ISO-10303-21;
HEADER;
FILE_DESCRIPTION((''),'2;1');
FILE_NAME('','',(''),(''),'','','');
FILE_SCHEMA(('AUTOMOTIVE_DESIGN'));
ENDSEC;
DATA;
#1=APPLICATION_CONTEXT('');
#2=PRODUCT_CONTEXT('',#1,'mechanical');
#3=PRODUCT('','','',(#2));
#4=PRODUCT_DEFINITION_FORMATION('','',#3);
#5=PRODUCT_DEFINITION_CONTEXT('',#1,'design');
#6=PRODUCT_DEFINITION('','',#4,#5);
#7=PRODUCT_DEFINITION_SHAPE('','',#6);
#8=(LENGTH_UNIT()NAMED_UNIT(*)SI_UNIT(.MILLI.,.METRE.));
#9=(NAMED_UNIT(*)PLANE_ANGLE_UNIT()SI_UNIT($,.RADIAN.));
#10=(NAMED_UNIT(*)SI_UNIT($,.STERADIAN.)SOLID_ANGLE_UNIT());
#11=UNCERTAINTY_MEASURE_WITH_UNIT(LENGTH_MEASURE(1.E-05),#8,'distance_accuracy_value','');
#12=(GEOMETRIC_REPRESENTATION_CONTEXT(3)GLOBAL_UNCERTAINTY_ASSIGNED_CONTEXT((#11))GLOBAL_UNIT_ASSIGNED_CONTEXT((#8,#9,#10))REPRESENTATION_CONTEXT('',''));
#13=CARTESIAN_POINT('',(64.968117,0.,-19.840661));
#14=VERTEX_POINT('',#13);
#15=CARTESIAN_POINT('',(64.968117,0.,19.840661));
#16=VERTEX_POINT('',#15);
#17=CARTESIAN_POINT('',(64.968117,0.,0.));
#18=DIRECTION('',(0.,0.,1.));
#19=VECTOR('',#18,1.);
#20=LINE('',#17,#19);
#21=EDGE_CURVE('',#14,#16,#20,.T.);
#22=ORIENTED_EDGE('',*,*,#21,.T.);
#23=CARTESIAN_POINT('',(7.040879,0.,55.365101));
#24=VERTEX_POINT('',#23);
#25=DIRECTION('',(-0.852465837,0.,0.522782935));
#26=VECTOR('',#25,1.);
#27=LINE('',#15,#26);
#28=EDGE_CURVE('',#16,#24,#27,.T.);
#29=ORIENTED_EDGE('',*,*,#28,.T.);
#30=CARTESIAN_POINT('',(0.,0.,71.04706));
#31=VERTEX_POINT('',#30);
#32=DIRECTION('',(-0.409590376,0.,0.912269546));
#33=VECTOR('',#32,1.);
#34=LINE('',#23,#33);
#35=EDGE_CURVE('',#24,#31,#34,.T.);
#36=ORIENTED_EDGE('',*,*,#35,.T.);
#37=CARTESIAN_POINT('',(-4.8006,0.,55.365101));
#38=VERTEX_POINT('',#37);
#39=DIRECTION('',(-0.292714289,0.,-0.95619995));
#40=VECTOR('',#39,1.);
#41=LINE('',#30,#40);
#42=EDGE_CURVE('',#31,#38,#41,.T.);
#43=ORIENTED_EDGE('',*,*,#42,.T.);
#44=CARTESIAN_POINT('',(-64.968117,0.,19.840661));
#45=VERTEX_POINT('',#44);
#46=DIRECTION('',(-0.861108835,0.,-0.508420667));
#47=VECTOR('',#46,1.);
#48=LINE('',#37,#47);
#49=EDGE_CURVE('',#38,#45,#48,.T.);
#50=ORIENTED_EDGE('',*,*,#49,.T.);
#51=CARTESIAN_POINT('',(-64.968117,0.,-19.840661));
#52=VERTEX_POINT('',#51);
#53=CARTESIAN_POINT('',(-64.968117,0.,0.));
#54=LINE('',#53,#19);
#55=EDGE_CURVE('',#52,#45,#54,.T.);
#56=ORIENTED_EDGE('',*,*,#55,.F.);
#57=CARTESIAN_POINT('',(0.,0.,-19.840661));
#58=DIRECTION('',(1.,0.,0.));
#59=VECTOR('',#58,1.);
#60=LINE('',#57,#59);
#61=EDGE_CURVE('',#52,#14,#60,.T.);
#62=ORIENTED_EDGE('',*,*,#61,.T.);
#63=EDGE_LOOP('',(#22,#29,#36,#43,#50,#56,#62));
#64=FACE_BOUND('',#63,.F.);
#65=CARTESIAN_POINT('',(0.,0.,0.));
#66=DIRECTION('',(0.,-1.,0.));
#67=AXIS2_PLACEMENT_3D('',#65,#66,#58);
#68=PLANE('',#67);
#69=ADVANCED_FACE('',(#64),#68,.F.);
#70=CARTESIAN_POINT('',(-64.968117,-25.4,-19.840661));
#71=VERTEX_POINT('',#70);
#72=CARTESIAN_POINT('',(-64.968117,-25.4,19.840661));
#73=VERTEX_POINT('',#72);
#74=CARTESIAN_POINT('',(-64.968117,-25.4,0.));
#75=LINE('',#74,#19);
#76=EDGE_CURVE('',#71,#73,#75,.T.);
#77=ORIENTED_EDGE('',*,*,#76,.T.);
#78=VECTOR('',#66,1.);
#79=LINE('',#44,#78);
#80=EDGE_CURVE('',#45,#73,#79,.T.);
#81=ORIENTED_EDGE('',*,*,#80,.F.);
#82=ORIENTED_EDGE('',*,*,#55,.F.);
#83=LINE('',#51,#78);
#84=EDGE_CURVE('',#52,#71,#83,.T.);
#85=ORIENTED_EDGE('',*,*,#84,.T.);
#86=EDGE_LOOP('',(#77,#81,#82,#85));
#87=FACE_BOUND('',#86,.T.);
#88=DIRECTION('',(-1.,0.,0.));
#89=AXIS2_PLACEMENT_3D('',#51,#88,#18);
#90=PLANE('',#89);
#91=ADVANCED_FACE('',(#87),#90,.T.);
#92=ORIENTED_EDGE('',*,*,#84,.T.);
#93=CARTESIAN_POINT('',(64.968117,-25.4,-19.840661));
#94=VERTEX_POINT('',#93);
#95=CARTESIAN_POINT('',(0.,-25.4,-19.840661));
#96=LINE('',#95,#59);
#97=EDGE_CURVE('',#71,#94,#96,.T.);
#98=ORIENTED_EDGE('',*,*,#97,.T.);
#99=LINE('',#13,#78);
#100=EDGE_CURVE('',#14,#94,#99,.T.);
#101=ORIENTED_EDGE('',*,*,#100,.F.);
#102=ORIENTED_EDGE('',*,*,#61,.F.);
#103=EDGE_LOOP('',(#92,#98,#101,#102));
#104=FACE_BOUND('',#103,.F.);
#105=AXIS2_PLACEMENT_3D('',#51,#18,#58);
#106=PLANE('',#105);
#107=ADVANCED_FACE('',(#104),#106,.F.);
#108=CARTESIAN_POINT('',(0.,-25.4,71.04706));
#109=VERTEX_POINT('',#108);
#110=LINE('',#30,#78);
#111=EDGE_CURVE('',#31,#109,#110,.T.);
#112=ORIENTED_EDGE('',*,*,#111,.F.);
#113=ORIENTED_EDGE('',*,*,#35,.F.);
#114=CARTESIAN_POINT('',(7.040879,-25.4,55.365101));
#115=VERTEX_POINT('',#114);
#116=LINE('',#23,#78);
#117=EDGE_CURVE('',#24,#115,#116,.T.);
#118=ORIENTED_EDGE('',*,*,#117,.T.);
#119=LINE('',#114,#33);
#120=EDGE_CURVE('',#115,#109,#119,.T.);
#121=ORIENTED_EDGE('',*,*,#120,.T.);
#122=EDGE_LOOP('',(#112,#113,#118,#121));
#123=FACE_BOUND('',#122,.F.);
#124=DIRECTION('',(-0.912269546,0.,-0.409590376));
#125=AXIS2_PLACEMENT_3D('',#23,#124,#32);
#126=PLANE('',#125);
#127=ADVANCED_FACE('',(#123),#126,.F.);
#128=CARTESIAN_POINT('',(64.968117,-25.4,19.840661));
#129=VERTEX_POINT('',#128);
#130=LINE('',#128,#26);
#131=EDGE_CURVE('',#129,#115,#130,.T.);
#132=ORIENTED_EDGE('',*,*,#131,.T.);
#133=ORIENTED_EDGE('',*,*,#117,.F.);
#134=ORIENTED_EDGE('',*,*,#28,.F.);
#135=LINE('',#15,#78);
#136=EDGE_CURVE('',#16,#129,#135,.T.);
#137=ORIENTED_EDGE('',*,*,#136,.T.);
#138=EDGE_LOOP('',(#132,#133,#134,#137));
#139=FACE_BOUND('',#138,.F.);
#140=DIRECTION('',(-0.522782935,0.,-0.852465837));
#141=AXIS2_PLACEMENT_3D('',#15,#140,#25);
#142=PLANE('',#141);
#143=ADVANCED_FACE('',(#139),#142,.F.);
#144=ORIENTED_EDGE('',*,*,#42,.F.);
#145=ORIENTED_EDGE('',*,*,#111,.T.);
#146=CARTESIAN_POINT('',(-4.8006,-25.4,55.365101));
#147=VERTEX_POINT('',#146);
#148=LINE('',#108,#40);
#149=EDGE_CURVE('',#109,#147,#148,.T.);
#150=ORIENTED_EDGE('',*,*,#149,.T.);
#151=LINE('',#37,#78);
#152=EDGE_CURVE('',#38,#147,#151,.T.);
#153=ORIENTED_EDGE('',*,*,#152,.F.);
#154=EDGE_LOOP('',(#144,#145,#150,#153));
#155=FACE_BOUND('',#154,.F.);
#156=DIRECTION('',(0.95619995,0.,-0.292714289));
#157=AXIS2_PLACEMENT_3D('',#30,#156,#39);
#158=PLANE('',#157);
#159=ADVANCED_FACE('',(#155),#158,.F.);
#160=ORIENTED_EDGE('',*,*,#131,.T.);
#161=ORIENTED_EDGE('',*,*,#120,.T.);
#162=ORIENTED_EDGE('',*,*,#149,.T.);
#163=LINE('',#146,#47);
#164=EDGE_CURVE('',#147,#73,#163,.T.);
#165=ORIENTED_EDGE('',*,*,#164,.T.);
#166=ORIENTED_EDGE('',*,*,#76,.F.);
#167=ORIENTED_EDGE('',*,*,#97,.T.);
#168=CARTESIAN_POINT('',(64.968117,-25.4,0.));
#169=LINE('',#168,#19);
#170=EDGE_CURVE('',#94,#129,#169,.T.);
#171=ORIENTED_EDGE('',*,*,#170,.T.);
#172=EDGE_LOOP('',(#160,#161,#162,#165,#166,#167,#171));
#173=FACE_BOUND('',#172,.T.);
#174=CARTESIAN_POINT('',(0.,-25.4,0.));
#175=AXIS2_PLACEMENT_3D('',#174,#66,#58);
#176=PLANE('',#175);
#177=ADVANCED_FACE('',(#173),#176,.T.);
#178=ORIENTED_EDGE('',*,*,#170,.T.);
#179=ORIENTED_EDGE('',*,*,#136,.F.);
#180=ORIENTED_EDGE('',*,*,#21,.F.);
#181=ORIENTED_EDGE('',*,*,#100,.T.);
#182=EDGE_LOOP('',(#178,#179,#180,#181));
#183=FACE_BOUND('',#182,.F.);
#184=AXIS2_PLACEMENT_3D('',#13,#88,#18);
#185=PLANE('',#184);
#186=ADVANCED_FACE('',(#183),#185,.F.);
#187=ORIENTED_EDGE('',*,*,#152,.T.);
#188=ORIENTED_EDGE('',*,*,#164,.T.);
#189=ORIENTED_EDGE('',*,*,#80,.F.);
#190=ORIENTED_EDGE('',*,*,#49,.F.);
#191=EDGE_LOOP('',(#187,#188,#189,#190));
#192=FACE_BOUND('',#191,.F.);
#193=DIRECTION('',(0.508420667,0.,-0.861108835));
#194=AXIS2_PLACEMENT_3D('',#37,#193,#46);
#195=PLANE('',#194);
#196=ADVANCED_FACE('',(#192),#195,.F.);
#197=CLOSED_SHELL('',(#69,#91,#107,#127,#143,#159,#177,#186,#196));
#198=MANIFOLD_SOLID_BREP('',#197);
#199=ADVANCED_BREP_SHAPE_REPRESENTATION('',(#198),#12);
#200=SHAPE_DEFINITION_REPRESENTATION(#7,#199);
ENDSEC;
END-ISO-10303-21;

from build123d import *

# Parameters (mm, degrees)
F0_W     = 129.936234
F0_H     = 39.681322
F1_DEPTH = 25.4


with BuildPart() as f1:
    # F0 (on Front) → F1 (new body)
    with BuildSketch(Plane.XZ):
        Rectangle(F0_W, F0_H)
        Polygon((-4.8006, 55.365101), (-64.968117, 19.840661), (64.968117, 19.840661), (7.040879, 55.365101), align=None)
        Polygon((0, 71.04706), (-4.8006, 55.365101), (7.040879, 55.365101), align=None)
    extrude(amount=F1_DEPTH)


solid = f1.part
